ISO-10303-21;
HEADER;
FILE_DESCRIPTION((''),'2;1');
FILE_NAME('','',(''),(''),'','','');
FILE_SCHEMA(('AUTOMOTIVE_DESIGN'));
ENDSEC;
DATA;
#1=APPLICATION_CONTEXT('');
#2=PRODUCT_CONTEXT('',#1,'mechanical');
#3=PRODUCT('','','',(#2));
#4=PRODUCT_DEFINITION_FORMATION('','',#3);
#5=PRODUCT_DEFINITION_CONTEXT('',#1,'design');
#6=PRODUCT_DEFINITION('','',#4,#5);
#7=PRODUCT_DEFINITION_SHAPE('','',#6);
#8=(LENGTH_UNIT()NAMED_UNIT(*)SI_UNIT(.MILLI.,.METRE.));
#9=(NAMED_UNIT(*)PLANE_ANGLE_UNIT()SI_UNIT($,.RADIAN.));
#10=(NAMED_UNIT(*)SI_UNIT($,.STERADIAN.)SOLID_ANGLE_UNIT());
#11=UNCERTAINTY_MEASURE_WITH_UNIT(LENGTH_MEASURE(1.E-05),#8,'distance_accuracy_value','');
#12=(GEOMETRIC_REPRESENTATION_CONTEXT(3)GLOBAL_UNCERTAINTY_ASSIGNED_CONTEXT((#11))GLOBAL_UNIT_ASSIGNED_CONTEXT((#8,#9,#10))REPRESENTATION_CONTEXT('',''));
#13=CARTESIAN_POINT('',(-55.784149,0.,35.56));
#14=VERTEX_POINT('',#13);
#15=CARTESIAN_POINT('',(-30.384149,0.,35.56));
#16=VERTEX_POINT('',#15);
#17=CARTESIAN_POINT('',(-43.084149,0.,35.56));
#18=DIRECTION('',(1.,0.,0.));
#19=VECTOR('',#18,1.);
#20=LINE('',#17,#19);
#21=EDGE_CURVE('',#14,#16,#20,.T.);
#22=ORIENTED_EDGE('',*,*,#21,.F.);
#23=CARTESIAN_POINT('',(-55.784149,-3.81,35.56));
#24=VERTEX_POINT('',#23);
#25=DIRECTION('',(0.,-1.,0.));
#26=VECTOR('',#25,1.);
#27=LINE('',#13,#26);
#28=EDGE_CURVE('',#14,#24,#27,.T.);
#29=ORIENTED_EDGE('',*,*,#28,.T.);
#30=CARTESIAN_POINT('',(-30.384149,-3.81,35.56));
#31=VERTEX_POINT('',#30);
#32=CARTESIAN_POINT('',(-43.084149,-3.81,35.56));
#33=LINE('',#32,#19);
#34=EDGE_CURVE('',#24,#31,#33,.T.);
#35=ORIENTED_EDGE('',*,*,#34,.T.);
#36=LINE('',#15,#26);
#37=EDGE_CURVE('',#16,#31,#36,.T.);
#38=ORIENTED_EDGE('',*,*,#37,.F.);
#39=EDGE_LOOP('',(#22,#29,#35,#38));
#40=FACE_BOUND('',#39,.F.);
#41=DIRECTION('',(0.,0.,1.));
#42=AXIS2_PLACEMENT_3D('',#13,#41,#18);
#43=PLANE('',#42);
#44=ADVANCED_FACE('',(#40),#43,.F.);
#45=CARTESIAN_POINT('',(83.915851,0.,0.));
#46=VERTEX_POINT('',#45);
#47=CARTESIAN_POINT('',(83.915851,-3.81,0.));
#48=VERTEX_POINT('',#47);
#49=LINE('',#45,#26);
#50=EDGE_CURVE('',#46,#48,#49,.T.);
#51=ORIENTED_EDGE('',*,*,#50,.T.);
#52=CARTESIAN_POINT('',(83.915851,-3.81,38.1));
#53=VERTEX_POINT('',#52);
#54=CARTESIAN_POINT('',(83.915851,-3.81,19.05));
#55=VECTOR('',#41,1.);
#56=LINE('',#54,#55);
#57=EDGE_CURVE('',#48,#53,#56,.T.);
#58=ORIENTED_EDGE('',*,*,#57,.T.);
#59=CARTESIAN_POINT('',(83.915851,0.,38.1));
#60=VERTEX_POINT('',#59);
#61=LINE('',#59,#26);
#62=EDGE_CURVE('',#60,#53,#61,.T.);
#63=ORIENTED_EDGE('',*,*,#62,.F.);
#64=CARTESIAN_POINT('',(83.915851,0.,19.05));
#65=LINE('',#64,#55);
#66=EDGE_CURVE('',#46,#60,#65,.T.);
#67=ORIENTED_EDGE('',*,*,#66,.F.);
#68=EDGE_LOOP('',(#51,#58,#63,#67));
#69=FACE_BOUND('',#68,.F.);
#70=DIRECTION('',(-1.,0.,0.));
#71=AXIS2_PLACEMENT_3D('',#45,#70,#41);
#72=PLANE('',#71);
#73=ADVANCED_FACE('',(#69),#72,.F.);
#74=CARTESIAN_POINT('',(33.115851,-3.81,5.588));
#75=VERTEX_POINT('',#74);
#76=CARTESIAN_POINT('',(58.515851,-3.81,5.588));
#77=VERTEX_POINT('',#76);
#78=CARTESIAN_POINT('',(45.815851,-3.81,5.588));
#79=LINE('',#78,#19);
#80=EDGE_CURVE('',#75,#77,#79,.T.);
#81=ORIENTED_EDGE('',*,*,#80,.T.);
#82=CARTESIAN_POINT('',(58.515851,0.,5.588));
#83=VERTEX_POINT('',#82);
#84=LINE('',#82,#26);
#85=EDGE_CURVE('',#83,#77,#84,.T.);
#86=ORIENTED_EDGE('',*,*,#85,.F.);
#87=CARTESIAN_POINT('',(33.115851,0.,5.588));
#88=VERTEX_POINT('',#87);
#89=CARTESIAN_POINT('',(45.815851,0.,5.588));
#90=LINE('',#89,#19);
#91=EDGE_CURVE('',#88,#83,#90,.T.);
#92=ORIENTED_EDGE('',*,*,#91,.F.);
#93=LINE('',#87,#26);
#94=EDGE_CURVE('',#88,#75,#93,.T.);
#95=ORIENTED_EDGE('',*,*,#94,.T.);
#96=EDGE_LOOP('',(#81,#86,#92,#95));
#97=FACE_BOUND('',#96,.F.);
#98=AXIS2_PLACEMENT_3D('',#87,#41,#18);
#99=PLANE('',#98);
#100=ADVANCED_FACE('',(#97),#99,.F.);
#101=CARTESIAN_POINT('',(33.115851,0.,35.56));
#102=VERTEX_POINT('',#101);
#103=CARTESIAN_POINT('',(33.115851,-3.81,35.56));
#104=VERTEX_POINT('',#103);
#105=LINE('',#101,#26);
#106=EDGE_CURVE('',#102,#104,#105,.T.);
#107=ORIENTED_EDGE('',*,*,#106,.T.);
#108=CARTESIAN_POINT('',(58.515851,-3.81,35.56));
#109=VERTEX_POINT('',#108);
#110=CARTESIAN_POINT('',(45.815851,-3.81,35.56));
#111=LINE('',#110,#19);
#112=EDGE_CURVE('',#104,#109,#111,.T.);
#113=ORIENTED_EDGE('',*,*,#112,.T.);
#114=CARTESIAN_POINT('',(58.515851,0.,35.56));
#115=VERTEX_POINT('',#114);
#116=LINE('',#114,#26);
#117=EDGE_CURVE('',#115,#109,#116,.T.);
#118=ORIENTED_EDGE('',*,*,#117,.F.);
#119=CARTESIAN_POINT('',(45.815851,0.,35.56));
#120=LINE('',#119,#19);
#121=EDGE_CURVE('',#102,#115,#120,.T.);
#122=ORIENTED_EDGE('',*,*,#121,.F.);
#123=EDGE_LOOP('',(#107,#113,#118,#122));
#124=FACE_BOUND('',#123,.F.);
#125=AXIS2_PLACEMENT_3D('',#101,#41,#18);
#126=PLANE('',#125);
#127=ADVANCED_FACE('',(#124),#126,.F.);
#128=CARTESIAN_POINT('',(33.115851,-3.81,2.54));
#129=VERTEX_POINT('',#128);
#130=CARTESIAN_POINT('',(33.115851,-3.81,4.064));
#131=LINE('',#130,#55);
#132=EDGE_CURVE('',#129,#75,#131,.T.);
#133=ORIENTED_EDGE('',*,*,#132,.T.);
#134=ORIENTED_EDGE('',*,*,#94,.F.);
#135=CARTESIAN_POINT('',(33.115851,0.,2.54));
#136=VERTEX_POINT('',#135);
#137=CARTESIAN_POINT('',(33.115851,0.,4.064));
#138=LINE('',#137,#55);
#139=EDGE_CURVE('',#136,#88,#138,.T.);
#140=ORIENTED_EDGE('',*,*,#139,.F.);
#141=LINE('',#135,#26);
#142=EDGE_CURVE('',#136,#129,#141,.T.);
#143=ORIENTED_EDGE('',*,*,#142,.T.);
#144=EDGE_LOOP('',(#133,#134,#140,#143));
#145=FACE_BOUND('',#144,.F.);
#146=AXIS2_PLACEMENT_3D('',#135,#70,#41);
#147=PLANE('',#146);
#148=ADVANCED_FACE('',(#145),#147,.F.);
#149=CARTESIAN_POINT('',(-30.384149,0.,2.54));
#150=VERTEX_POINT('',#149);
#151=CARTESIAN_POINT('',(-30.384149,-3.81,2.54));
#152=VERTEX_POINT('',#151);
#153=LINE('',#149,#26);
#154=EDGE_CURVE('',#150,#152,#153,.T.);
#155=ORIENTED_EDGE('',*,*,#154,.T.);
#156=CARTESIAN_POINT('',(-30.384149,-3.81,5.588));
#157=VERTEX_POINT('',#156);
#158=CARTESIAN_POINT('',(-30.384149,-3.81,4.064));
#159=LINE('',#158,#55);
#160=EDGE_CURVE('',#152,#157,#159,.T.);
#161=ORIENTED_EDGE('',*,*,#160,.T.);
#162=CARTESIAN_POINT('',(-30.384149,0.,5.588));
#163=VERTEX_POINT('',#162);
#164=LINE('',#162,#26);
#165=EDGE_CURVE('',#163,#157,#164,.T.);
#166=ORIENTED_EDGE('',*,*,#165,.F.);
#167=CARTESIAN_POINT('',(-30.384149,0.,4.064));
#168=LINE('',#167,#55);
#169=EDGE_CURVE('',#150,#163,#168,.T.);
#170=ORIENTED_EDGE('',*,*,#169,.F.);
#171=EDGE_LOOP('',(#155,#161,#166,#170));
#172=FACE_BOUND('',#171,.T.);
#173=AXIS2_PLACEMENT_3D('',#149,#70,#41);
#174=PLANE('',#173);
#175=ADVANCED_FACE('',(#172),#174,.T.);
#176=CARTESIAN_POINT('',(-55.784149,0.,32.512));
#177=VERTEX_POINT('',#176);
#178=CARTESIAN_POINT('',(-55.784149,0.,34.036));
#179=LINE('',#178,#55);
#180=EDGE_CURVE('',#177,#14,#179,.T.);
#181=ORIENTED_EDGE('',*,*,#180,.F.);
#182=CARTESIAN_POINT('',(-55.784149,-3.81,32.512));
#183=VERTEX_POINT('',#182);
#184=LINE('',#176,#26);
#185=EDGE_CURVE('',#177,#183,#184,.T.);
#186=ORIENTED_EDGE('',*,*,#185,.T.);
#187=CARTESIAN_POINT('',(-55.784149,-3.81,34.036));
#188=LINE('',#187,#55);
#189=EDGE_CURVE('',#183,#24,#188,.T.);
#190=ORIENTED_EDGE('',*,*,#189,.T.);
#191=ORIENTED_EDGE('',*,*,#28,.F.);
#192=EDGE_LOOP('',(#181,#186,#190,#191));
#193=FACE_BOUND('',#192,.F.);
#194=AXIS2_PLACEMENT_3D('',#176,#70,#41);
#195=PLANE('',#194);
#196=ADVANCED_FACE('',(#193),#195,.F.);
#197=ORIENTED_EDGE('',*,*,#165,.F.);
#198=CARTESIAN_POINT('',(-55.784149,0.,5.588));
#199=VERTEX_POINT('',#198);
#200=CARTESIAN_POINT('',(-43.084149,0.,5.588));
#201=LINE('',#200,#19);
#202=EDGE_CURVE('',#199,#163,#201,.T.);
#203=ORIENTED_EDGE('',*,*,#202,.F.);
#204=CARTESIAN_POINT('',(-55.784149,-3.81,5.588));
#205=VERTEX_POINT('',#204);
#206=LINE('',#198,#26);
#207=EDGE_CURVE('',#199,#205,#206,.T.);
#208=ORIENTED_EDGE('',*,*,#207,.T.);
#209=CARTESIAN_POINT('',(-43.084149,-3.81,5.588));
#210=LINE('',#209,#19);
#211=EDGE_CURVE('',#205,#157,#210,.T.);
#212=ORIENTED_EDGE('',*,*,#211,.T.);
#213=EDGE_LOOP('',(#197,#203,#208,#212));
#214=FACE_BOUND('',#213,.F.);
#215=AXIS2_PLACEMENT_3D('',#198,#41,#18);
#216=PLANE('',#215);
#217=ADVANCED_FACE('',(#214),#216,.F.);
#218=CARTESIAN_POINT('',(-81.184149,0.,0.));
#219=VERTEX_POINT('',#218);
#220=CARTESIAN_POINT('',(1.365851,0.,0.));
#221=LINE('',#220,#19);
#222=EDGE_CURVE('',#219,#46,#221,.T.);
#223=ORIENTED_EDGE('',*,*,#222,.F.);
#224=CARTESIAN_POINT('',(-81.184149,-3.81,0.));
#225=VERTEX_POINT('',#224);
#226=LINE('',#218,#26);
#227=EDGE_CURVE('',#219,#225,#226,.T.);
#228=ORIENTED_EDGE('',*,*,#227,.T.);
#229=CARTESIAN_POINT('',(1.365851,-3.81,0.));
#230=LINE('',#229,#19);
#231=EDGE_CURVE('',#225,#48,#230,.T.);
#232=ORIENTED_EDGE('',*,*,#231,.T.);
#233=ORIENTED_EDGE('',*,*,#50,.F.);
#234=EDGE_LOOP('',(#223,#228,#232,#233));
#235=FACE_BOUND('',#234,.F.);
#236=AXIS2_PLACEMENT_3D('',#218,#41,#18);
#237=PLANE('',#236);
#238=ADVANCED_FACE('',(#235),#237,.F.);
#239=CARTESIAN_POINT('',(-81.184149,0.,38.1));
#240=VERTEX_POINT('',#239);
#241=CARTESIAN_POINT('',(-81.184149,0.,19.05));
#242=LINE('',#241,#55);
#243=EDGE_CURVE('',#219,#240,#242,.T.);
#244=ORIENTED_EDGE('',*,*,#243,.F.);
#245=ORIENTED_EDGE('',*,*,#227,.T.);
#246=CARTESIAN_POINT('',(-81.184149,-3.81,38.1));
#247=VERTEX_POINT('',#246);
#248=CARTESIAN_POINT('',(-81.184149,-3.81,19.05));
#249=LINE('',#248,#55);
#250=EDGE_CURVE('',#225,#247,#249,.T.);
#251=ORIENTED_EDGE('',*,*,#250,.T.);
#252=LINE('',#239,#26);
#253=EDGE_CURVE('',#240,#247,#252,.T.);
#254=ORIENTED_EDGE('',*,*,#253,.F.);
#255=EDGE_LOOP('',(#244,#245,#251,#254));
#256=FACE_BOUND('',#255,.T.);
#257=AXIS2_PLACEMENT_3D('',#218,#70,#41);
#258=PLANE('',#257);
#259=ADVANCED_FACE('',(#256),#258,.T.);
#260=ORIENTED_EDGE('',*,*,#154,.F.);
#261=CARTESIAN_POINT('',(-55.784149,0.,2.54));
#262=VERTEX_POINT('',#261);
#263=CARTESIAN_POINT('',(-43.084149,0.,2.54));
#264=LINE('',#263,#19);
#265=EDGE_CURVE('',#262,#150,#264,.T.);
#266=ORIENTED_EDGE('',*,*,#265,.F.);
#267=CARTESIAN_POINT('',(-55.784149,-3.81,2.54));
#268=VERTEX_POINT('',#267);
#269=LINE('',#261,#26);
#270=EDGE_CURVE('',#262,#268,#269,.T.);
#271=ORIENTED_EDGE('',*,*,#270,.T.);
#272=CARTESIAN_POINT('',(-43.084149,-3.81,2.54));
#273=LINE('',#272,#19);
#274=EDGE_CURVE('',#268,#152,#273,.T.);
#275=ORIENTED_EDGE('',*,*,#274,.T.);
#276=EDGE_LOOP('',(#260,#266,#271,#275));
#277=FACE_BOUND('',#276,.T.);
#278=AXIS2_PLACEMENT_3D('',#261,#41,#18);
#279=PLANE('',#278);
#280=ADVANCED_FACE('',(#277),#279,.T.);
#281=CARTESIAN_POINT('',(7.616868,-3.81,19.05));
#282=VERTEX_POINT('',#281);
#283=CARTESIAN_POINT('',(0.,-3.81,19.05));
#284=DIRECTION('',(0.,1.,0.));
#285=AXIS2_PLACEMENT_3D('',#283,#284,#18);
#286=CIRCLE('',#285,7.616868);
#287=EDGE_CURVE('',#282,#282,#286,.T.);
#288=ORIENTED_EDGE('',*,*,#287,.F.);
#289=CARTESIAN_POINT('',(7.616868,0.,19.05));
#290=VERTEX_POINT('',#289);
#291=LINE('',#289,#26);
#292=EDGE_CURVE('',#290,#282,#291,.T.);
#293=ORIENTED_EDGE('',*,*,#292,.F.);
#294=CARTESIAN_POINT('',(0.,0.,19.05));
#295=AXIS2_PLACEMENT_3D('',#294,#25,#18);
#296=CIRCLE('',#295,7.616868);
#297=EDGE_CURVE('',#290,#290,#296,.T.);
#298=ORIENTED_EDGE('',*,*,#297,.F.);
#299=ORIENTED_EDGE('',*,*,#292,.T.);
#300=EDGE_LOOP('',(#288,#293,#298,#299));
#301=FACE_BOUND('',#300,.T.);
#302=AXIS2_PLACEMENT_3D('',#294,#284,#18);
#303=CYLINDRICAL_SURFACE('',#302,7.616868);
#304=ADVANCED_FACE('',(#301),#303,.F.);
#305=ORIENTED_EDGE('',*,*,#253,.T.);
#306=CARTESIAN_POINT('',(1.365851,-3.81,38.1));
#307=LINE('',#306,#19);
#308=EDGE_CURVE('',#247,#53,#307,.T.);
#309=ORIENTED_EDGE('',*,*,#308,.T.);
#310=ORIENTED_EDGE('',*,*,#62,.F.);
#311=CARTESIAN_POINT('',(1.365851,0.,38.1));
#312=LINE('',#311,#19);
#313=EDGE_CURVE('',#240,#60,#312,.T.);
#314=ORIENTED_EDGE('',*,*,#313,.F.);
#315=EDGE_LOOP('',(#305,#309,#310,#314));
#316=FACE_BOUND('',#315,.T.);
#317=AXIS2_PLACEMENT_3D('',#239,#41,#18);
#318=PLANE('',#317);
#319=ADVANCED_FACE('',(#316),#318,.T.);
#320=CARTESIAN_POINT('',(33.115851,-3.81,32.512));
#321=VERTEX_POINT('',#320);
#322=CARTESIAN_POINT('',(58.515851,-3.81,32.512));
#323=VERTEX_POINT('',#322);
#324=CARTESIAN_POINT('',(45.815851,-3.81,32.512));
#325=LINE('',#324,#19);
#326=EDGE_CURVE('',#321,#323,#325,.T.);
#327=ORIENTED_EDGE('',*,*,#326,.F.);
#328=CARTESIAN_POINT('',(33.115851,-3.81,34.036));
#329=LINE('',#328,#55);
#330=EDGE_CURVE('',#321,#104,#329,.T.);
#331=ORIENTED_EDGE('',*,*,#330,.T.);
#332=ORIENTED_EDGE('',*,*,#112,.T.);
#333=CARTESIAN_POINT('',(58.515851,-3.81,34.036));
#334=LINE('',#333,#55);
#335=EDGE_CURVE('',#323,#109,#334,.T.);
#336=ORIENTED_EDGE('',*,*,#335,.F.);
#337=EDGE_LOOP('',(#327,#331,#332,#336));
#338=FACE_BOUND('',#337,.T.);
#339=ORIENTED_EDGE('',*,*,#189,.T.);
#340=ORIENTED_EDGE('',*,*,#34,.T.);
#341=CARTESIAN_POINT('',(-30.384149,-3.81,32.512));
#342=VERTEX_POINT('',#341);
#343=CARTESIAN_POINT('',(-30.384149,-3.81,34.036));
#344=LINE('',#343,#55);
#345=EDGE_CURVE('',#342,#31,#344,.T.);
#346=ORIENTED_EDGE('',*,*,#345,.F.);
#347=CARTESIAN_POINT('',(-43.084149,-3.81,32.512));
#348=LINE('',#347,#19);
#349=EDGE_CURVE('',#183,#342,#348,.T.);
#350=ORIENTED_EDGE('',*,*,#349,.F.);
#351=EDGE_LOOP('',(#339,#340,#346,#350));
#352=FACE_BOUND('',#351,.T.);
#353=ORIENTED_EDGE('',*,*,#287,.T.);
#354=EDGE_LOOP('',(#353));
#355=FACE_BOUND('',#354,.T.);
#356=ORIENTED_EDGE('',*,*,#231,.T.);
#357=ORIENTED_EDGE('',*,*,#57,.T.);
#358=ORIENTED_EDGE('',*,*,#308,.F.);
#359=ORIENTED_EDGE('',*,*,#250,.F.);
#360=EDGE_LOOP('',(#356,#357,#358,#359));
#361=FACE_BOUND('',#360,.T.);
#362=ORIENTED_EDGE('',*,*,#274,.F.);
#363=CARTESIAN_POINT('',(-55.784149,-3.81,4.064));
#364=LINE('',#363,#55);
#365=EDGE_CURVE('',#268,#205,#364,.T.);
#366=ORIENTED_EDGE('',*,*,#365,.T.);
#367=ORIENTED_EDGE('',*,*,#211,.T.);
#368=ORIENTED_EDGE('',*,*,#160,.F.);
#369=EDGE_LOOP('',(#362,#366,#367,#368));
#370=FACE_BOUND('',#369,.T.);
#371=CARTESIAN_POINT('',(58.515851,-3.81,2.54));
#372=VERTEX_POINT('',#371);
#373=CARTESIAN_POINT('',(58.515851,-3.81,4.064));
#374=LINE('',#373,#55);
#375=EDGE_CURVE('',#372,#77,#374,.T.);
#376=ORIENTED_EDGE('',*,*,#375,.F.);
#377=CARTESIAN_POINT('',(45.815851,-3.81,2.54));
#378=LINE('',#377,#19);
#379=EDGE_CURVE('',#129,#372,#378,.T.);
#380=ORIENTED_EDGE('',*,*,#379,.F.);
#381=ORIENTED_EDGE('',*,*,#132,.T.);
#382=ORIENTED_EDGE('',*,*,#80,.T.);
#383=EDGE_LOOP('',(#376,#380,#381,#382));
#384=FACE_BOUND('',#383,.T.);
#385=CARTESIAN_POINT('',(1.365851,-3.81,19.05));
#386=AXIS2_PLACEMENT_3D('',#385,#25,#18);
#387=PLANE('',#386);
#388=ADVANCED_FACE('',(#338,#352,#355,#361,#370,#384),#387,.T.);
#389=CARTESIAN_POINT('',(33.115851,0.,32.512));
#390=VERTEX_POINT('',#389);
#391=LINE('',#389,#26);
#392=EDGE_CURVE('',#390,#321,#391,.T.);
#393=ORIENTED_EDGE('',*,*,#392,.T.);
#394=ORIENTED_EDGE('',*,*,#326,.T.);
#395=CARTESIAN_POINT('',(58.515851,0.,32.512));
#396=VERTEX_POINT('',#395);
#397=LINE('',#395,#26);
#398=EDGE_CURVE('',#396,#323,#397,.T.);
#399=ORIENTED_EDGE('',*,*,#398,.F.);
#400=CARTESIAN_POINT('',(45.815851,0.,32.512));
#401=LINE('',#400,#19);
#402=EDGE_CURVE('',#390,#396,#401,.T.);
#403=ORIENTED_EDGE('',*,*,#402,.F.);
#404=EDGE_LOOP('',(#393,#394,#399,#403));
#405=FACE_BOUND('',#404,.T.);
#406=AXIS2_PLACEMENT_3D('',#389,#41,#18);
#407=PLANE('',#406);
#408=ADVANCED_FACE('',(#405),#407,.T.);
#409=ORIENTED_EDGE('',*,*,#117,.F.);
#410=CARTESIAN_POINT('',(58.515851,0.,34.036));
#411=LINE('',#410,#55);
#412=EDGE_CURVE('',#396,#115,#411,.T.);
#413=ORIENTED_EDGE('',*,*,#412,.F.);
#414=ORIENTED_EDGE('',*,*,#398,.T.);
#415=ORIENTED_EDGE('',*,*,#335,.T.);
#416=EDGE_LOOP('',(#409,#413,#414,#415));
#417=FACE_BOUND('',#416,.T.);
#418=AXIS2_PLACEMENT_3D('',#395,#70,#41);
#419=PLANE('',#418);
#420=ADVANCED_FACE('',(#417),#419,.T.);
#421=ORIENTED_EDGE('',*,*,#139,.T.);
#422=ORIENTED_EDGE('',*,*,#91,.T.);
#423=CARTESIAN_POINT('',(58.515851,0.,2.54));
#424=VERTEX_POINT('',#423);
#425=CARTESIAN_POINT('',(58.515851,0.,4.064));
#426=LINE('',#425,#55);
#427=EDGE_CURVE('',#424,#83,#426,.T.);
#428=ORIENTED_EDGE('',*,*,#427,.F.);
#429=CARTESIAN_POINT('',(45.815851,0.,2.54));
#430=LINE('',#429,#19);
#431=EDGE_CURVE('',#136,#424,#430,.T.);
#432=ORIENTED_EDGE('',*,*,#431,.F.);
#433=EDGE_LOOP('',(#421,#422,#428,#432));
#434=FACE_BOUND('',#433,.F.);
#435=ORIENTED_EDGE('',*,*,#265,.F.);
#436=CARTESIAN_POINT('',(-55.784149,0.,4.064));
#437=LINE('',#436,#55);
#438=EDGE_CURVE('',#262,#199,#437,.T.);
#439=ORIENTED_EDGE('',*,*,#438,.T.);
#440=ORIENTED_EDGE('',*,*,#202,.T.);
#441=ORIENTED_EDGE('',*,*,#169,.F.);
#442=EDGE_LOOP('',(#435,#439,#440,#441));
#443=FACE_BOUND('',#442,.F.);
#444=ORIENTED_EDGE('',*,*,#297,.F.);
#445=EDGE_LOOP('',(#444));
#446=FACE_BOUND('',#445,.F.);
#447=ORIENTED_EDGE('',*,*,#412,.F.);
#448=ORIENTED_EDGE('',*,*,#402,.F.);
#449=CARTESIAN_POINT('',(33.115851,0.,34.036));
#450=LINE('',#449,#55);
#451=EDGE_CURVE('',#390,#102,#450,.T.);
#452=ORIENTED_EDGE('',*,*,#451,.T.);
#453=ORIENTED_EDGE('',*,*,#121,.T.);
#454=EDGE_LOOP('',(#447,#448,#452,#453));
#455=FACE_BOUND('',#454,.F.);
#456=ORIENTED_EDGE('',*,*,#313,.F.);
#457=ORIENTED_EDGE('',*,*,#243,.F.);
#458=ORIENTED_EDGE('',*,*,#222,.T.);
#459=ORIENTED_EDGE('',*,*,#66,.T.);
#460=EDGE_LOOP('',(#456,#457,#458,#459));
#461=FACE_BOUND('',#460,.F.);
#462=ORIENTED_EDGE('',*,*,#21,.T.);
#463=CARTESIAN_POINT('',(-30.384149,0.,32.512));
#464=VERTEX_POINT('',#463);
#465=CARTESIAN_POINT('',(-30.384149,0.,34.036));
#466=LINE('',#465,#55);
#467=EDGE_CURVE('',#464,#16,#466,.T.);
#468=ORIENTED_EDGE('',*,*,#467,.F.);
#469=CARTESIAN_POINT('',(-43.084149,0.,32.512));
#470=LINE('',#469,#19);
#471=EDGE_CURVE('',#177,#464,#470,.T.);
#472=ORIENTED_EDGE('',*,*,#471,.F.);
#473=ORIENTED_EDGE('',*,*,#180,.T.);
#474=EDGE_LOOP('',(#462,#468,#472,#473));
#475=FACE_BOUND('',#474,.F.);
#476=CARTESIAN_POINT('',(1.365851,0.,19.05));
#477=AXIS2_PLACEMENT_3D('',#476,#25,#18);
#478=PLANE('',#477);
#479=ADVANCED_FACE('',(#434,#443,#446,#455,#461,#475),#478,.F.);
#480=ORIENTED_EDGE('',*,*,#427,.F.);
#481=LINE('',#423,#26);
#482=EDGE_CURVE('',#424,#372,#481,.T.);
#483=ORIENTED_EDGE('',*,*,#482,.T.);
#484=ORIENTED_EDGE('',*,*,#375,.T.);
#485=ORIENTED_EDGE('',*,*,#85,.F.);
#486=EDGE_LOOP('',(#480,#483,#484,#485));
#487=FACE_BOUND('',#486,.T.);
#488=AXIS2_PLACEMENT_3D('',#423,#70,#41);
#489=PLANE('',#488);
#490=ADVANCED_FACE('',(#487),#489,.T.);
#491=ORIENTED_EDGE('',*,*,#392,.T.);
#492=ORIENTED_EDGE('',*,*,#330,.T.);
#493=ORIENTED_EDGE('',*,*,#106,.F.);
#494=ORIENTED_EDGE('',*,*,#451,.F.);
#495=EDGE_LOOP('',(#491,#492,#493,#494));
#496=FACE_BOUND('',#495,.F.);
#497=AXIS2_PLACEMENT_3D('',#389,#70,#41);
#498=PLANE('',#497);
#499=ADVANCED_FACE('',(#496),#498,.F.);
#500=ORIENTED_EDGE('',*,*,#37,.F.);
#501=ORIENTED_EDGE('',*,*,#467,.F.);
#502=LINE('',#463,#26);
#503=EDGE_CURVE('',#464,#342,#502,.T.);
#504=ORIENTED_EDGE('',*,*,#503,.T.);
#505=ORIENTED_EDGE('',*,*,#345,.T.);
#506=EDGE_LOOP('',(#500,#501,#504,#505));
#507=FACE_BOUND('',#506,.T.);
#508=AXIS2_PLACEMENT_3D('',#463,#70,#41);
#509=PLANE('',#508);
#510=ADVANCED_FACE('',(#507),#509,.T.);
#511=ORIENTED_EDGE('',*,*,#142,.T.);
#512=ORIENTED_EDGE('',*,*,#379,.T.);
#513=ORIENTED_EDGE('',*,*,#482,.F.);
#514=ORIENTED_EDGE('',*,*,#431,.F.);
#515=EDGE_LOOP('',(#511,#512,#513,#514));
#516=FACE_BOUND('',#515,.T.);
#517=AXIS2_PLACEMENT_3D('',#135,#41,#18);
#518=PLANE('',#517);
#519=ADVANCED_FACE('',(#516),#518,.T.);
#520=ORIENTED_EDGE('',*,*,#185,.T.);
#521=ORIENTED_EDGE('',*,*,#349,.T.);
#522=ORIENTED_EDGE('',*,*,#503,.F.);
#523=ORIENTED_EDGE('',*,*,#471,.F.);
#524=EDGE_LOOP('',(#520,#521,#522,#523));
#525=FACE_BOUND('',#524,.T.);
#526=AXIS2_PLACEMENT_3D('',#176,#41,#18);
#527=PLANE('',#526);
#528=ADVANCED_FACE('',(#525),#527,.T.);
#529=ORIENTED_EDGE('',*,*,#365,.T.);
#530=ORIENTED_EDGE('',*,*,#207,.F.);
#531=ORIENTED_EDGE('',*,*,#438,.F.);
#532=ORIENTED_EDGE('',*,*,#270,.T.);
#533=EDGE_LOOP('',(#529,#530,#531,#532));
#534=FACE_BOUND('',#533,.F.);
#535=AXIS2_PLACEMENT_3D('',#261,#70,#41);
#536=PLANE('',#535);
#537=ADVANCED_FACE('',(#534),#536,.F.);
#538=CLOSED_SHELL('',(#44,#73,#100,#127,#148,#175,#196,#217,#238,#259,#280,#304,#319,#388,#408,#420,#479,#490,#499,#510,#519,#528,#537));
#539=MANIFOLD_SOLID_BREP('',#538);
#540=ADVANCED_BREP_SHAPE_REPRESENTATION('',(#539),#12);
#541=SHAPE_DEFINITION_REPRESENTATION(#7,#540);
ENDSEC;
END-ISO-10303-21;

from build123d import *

# Parameters (mm, degrees)
F0_W     = 165.1
F0_H     = 38.1
F0_W_2   = 25.4
F0_H_2   = 3.048
F2_DEPTH = 3.81
F1_R     = 7.616868
F3_DEPTH = 28.956


with BuildPart() as f2:
    # F0 (on Front) → F2 (new body)
    with BuildSketch(Plane.XZ):
        with Locations((1.365851, 19.05)):
            Rectangle(F0_W, F0_H)
        with Locations((-43.084149, 4.064)):
            Rectangle(F0_W_2, F0_H_2, mode=Mode.SUBTRACT)
        with Locations((45.815851, 4.064)):
            Rectangle(F0_W_2, F0_H_2, mode=Mode.SUBTRACT)
        with Locations((-43.084149, 34.036)):
            Rectangle(F0_W_2, F0_H_2, mode=Mode.SUBTRACT)
        with Locations((45.815851, 34.036)):
            Rectangle(F0_W_2, F0_H_2, mode=Mode.SUBTRACT)
    extrude(amount=F2_DEPTH)

    # F1 (on face) → F3 (cut)
    with BuildSketch(Plane.XZ):
        with Locations((0, 19.05)):
            Circle(F1_R)
    extrude(amount=F3_DEPTH, mode=Mode.SUBTRACT)


solid = f2.part
